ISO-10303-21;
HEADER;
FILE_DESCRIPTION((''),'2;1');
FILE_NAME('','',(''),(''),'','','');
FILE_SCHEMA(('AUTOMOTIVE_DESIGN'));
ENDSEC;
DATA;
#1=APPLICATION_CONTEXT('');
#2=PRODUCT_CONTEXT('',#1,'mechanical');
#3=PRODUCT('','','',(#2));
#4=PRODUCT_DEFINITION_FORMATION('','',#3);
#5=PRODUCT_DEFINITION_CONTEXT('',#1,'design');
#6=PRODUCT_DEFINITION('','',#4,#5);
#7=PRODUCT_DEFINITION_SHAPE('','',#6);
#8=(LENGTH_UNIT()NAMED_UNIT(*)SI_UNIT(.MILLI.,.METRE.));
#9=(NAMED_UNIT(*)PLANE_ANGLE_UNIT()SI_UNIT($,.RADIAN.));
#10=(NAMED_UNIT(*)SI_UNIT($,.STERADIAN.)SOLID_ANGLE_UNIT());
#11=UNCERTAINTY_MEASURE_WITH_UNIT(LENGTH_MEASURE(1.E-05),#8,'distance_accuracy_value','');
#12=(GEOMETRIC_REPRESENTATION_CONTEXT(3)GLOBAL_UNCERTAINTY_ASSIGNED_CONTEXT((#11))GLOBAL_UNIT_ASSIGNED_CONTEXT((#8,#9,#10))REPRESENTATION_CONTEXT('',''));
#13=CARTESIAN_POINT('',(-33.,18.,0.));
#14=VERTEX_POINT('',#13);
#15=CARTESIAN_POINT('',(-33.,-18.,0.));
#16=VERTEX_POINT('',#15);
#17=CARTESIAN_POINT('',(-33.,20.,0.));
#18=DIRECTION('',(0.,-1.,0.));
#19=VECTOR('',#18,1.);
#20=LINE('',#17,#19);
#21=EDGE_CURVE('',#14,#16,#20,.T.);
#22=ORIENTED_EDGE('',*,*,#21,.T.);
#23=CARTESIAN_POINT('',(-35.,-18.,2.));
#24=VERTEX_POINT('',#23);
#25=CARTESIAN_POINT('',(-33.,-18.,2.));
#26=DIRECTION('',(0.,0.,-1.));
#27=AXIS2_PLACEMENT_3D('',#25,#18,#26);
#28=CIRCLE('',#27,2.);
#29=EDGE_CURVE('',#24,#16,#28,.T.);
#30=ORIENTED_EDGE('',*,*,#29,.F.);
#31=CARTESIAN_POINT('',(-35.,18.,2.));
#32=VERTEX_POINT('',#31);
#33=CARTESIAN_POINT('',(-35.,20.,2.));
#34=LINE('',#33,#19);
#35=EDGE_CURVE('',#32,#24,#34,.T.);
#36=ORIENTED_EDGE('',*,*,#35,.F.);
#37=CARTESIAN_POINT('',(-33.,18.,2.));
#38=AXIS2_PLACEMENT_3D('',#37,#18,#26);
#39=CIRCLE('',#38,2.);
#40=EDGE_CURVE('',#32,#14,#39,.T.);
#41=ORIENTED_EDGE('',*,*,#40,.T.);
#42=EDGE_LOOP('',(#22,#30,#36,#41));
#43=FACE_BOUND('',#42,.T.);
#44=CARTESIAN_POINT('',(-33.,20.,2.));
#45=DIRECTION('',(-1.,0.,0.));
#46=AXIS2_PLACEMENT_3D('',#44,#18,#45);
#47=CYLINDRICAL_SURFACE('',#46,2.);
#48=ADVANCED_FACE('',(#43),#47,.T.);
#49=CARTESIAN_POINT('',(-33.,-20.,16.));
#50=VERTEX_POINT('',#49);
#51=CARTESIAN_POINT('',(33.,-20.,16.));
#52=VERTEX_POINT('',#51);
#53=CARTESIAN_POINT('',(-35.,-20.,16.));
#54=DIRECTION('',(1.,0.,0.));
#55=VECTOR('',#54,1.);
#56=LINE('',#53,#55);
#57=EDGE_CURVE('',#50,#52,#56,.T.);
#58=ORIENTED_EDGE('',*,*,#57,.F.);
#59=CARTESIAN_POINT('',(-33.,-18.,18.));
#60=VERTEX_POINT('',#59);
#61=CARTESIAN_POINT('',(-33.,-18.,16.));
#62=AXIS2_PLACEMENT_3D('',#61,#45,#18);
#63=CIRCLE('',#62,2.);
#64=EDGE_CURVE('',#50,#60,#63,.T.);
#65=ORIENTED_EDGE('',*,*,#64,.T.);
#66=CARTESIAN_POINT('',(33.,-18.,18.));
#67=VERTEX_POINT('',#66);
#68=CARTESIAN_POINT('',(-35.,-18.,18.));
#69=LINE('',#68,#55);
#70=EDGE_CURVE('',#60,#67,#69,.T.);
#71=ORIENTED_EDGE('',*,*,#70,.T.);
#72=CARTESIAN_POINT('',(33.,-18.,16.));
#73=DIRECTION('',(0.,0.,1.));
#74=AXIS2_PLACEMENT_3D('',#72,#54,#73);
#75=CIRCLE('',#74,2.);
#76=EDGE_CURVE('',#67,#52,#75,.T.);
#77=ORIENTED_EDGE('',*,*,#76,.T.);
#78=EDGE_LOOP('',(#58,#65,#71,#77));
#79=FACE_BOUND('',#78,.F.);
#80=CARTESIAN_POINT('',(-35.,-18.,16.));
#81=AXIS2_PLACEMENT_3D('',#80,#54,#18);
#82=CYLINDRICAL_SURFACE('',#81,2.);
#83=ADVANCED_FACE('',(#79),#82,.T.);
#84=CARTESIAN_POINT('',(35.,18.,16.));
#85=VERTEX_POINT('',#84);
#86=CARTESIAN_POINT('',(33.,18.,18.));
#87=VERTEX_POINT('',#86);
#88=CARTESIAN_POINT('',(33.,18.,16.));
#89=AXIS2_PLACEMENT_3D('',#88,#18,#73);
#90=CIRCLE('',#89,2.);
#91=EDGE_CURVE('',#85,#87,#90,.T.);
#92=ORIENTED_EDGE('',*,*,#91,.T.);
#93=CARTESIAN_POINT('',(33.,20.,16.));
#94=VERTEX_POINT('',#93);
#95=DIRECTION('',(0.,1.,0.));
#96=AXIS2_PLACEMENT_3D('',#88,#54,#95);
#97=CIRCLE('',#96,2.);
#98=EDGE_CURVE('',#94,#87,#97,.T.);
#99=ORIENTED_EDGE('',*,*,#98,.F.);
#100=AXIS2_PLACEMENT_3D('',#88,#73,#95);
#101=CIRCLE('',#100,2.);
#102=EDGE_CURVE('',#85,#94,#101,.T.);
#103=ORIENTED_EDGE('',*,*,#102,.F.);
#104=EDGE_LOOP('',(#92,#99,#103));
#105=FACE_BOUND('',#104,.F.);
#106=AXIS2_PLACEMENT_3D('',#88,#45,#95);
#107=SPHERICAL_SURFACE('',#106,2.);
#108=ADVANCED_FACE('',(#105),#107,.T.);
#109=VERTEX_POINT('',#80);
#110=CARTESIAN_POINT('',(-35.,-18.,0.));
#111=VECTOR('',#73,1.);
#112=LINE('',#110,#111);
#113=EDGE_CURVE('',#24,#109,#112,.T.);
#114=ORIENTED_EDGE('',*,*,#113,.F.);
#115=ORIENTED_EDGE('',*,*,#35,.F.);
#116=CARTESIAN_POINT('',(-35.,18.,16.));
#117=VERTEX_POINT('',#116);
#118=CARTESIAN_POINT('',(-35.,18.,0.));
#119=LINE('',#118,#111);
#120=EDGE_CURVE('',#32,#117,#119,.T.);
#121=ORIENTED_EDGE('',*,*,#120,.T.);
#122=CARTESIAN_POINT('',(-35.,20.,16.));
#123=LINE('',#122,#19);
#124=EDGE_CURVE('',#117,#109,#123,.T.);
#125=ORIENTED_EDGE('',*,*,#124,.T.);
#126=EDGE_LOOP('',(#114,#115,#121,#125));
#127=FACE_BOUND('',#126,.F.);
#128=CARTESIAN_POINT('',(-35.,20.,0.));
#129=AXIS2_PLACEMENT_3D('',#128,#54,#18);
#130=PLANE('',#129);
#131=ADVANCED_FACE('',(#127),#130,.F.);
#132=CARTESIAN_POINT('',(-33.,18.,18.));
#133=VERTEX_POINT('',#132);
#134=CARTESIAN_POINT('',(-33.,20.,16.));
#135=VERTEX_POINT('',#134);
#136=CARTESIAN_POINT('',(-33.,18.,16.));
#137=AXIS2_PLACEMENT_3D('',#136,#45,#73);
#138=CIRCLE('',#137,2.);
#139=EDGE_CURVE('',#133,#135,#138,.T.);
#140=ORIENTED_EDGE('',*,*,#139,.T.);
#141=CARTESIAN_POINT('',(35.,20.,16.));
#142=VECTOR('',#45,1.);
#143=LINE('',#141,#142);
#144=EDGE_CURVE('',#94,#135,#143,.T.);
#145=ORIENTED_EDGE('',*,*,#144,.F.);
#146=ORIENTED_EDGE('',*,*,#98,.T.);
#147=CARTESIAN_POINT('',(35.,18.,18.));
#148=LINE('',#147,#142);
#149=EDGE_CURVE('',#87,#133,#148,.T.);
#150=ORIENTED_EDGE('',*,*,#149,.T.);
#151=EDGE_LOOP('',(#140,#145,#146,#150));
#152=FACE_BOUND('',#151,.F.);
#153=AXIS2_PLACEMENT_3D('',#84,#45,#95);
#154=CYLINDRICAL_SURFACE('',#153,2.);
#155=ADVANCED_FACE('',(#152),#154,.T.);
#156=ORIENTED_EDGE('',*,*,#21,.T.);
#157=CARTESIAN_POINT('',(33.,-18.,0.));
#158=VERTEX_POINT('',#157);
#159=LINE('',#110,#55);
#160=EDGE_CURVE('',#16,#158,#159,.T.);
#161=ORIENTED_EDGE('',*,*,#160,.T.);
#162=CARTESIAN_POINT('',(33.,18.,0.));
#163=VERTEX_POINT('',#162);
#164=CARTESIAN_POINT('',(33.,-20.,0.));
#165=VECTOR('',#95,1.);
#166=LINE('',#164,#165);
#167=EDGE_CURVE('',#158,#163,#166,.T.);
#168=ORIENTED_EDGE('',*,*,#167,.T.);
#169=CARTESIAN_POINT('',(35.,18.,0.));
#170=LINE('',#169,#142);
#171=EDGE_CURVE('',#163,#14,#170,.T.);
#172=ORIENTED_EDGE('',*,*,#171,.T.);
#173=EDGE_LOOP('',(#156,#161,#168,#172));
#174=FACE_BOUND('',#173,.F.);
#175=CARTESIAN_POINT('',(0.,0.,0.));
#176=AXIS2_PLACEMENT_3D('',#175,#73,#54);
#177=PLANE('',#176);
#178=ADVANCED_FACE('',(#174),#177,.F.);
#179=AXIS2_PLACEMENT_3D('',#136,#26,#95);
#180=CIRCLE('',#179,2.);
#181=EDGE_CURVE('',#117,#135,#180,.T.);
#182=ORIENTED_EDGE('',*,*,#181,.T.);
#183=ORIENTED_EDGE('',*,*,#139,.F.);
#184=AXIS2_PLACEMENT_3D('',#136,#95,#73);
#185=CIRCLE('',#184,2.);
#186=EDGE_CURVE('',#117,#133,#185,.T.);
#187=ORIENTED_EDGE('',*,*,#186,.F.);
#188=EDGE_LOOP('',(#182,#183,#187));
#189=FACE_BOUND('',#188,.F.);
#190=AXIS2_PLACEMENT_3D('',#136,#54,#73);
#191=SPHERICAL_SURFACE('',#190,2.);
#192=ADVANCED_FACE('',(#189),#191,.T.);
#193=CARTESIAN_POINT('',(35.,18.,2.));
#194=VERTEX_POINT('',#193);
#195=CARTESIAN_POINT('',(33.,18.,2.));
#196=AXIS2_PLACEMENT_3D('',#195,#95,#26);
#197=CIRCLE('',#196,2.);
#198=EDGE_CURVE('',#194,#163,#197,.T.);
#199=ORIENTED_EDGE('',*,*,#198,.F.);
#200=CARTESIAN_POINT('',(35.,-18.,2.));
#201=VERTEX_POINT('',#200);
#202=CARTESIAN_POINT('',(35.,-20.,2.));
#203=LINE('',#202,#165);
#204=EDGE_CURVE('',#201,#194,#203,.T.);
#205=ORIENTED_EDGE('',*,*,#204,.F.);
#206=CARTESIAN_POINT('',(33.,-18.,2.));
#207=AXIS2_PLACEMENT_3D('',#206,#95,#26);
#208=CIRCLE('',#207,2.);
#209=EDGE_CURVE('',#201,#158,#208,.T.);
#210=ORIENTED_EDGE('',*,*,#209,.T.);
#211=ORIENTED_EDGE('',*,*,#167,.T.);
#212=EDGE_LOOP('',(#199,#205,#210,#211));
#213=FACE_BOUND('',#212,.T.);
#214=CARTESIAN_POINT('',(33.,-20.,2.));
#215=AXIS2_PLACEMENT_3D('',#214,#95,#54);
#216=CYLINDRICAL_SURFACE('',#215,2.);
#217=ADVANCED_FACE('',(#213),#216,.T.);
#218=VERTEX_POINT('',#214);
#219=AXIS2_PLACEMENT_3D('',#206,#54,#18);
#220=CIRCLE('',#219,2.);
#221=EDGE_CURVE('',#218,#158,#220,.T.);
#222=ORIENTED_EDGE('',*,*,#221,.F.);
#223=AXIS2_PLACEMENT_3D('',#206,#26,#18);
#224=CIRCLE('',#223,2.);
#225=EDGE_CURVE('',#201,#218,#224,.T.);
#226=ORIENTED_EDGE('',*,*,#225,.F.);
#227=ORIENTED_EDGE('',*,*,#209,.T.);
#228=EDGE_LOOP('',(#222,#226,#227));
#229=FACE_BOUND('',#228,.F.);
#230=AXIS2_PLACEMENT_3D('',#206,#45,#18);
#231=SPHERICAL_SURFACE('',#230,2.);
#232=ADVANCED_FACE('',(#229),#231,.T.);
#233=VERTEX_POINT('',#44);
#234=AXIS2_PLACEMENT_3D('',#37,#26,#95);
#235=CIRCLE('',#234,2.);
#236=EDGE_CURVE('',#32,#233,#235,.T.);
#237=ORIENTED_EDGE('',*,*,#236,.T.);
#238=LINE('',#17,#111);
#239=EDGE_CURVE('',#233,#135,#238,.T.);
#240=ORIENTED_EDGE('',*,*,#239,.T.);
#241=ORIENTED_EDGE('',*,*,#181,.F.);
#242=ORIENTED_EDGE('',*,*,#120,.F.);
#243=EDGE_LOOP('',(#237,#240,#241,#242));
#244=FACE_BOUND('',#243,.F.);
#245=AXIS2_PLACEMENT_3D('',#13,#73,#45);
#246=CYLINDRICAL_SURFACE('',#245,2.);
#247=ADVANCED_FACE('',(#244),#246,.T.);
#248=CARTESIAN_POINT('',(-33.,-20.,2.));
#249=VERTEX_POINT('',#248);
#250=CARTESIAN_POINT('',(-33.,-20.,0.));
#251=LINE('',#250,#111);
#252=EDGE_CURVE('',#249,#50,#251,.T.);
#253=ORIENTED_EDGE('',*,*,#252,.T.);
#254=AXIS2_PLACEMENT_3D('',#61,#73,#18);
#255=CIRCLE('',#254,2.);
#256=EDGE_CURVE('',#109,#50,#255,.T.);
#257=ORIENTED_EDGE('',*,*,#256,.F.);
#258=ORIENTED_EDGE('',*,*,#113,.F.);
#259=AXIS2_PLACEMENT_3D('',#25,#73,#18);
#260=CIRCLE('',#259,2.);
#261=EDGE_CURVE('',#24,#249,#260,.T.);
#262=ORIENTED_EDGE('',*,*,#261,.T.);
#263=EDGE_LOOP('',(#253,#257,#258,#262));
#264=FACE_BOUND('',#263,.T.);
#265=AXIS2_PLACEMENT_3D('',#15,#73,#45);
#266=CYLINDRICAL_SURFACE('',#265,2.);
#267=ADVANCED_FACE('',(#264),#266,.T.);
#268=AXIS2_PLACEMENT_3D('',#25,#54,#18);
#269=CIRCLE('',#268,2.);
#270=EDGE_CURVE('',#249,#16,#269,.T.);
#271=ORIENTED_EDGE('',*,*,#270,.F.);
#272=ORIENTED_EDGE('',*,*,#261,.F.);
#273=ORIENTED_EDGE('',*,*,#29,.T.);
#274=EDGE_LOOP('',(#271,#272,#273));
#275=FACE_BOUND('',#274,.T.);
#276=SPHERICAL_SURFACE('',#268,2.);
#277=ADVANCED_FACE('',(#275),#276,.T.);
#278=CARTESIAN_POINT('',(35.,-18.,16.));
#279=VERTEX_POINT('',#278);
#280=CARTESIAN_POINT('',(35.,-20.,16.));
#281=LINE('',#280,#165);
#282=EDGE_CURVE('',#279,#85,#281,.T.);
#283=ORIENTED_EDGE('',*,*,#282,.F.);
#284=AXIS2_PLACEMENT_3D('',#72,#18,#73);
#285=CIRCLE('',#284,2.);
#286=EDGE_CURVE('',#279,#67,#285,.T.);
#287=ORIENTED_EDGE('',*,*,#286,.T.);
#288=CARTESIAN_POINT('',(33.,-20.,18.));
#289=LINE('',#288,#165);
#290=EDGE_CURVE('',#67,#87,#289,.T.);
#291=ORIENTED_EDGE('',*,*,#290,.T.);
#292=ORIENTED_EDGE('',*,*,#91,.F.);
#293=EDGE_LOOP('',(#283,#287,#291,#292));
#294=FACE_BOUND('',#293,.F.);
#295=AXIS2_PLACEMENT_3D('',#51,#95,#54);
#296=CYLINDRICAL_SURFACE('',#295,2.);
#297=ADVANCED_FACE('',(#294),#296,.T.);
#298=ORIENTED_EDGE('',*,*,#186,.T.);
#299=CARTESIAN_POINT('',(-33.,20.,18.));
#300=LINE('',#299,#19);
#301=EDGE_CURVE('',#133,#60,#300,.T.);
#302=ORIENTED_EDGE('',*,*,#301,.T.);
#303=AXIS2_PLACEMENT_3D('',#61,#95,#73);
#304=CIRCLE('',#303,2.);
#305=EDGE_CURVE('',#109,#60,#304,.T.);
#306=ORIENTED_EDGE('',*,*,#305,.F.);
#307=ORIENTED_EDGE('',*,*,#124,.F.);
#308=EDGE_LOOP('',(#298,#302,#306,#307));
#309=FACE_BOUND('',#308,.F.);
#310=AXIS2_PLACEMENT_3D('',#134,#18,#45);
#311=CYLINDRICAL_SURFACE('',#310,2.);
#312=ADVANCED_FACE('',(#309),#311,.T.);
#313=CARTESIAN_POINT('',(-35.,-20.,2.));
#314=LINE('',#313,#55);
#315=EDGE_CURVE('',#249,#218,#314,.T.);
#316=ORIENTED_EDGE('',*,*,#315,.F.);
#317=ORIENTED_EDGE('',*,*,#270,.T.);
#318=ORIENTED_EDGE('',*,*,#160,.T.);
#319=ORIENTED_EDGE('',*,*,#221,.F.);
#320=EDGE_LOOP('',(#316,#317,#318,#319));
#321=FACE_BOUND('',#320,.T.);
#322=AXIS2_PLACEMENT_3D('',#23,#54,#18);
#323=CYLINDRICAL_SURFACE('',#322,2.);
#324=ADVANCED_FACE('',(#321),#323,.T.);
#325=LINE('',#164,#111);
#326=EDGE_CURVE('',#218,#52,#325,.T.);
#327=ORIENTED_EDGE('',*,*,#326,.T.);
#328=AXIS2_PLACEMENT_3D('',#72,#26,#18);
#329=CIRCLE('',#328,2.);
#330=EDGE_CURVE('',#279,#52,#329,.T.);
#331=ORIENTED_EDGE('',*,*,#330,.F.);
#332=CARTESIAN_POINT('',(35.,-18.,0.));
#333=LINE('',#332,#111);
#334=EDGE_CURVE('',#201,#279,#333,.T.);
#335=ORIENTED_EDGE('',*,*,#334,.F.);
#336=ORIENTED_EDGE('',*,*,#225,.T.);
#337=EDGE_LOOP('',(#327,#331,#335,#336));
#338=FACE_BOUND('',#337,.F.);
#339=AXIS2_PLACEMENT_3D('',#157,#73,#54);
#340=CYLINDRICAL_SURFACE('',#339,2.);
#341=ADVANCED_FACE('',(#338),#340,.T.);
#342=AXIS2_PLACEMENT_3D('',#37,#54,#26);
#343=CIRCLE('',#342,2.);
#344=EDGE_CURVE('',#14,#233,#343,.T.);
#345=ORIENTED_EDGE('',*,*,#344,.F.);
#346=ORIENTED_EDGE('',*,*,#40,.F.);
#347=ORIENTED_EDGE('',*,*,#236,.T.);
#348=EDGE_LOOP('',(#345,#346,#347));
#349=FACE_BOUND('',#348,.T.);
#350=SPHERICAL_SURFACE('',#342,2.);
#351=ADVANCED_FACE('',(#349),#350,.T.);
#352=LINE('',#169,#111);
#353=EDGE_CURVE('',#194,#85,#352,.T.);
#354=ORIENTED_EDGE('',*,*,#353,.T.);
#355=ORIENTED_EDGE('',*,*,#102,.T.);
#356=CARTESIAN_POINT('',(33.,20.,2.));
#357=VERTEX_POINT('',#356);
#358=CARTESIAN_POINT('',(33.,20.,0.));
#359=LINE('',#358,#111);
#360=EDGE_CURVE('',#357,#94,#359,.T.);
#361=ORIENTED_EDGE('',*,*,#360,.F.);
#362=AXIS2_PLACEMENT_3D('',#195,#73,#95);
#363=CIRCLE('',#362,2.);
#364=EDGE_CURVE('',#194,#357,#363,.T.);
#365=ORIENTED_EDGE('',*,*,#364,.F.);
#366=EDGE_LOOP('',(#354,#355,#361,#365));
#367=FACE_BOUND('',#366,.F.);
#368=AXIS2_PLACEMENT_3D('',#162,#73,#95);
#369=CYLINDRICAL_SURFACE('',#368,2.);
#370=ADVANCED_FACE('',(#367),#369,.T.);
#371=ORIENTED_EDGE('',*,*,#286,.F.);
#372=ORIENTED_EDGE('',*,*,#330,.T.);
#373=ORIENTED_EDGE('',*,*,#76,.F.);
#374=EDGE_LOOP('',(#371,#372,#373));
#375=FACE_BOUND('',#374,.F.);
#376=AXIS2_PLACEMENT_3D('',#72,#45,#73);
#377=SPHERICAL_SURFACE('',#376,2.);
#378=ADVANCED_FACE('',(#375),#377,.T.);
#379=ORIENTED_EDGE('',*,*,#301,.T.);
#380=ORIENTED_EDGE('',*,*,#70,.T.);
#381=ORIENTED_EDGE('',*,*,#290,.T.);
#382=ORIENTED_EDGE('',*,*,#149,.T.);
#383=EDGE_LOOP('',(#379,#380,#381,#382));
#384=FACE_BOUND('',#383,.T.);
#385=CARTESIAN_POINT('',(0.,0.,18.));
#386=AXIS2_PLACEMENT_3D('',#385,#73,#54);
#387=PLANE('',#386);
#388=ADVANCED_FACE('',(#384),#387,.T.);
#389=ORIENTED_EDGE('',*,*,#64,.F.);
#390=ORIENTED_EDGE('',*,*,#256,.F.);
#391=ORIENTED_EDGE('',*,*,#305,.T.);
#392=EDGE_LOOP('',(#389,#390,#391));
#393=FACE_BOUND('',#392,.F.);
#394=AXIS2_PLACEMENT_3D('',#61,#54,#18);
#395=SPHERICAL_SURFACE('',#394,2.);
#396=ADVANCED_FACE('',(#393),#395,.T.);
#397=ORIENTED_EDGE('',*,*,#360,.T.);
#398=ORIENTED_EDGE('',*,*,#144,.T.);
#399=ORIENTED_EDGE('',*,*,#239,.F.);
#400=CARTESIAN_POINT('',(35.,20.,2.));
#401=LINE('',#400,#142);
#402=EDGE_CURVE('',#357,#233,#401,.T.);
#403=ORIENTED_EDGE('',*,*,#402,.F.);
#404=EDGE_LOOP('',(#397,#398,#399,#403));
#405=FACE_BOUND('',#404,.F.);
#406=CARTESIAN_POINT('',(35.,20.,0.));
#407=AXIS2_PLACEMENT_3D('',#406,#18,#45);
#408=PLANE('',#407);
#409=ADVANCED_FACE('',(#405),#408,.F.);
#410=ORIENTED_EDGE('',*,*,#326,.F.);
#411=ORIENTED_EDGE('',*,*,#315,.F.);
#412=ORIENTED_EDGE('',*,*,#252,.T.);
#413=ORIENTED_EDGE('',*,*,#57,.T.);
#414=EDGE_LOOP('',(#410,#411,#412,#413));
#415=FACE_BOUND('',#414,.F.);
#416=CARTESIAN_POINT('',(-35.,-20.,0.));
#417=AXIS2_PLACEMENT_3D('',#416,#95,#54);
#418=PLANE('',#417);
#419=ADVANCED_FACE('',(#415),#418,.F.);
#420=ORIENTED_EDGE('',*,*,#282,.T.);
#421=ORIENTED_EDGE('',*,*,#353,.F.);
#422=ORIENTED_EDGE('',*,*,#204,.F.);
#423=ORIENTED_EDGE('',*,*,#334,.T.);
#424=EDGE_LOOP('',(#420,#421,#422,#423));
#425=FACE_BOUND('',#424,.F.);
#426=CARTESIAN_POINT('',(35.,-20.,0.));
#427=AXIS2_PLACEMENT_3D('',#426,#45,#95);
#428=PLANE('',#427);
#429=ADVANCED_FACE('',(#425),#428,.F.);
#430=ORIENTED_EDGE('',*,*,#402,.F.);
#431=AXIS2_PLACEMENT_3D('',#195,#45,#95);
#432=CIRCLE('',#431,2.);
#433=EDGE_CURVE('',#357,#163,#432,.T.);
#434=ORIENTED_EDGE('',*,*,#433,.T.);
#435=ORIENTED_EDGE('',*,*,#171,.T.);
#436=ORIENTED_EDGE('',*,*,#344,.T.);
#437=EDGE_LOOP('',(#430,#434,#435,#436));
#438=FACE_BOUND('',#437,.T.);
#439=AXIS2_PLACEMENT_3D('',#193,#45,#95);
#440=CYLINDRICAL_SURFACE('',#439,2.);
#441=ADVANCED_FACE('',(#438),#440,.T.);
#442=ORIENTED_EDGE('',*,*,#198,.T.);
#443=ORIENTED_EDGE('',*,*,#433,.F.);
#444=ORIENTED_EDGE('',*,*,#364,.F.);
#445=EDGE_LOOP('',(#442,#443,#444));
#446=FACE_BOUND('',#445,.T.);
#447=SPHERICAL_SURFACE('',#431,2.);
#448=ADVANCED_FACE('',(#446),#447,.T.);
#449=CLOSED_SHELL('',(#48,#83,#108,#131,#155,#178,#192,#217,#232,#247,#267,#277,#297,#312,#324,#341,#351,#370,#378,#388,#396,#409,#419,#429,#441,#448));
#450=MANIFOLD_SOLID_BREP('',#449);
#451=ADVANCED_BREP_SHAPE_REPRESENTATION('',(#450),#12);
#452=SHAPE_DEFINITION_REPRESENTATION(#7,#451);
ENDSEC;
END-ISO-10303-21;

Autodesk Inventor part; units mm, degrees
ref_plane "YZ Plane" through (0, 0, 0) normal (1, 0, 0) x (0, 1, 0)
ref_plane "XZ Plane" through (0, 0, 0) normal (0, 1, 0) x (-1, 0, 0)
ref_plane "XY Plane" through (0, 0, 0) normal (0, 0, 1) x (1, 0, 0)
sketch "Esboço1" plane through (0, 0, 0) normal (0, 0, 1) x (1, 0, 0)
  line L0 (-35, -20) -> (35, -20)
  line L1 (35, -20) -> (35, 20)
  line L2 (35, 20) -> (-35, 20)
  line L3 (-35, 20) -> (-35, -20)
  line L4 (-35, -20) -> (35, 20) construction
  line L5 (35, -20) -> (-35, 20) construction
  point P0 (0, 0)
  dimension "d0" = 40
  dimension "d1" = 70
extrude "Extrusão1" add sketch "Esboço1" along normal blind 18
fillet "Arredondamento1" radius 2 12 edges at (0, -20, 18) (0, -20, 0) (0, 20, 0) (0, 20, 18) (35, 20, 9) (35, 0, 18) (35, -20, 9) (35, 0, 0) (-35, -20, 9) (-35, 0, 18) (-35, 0, 0) (-35, 20, 9)
properties part number "bateria"
